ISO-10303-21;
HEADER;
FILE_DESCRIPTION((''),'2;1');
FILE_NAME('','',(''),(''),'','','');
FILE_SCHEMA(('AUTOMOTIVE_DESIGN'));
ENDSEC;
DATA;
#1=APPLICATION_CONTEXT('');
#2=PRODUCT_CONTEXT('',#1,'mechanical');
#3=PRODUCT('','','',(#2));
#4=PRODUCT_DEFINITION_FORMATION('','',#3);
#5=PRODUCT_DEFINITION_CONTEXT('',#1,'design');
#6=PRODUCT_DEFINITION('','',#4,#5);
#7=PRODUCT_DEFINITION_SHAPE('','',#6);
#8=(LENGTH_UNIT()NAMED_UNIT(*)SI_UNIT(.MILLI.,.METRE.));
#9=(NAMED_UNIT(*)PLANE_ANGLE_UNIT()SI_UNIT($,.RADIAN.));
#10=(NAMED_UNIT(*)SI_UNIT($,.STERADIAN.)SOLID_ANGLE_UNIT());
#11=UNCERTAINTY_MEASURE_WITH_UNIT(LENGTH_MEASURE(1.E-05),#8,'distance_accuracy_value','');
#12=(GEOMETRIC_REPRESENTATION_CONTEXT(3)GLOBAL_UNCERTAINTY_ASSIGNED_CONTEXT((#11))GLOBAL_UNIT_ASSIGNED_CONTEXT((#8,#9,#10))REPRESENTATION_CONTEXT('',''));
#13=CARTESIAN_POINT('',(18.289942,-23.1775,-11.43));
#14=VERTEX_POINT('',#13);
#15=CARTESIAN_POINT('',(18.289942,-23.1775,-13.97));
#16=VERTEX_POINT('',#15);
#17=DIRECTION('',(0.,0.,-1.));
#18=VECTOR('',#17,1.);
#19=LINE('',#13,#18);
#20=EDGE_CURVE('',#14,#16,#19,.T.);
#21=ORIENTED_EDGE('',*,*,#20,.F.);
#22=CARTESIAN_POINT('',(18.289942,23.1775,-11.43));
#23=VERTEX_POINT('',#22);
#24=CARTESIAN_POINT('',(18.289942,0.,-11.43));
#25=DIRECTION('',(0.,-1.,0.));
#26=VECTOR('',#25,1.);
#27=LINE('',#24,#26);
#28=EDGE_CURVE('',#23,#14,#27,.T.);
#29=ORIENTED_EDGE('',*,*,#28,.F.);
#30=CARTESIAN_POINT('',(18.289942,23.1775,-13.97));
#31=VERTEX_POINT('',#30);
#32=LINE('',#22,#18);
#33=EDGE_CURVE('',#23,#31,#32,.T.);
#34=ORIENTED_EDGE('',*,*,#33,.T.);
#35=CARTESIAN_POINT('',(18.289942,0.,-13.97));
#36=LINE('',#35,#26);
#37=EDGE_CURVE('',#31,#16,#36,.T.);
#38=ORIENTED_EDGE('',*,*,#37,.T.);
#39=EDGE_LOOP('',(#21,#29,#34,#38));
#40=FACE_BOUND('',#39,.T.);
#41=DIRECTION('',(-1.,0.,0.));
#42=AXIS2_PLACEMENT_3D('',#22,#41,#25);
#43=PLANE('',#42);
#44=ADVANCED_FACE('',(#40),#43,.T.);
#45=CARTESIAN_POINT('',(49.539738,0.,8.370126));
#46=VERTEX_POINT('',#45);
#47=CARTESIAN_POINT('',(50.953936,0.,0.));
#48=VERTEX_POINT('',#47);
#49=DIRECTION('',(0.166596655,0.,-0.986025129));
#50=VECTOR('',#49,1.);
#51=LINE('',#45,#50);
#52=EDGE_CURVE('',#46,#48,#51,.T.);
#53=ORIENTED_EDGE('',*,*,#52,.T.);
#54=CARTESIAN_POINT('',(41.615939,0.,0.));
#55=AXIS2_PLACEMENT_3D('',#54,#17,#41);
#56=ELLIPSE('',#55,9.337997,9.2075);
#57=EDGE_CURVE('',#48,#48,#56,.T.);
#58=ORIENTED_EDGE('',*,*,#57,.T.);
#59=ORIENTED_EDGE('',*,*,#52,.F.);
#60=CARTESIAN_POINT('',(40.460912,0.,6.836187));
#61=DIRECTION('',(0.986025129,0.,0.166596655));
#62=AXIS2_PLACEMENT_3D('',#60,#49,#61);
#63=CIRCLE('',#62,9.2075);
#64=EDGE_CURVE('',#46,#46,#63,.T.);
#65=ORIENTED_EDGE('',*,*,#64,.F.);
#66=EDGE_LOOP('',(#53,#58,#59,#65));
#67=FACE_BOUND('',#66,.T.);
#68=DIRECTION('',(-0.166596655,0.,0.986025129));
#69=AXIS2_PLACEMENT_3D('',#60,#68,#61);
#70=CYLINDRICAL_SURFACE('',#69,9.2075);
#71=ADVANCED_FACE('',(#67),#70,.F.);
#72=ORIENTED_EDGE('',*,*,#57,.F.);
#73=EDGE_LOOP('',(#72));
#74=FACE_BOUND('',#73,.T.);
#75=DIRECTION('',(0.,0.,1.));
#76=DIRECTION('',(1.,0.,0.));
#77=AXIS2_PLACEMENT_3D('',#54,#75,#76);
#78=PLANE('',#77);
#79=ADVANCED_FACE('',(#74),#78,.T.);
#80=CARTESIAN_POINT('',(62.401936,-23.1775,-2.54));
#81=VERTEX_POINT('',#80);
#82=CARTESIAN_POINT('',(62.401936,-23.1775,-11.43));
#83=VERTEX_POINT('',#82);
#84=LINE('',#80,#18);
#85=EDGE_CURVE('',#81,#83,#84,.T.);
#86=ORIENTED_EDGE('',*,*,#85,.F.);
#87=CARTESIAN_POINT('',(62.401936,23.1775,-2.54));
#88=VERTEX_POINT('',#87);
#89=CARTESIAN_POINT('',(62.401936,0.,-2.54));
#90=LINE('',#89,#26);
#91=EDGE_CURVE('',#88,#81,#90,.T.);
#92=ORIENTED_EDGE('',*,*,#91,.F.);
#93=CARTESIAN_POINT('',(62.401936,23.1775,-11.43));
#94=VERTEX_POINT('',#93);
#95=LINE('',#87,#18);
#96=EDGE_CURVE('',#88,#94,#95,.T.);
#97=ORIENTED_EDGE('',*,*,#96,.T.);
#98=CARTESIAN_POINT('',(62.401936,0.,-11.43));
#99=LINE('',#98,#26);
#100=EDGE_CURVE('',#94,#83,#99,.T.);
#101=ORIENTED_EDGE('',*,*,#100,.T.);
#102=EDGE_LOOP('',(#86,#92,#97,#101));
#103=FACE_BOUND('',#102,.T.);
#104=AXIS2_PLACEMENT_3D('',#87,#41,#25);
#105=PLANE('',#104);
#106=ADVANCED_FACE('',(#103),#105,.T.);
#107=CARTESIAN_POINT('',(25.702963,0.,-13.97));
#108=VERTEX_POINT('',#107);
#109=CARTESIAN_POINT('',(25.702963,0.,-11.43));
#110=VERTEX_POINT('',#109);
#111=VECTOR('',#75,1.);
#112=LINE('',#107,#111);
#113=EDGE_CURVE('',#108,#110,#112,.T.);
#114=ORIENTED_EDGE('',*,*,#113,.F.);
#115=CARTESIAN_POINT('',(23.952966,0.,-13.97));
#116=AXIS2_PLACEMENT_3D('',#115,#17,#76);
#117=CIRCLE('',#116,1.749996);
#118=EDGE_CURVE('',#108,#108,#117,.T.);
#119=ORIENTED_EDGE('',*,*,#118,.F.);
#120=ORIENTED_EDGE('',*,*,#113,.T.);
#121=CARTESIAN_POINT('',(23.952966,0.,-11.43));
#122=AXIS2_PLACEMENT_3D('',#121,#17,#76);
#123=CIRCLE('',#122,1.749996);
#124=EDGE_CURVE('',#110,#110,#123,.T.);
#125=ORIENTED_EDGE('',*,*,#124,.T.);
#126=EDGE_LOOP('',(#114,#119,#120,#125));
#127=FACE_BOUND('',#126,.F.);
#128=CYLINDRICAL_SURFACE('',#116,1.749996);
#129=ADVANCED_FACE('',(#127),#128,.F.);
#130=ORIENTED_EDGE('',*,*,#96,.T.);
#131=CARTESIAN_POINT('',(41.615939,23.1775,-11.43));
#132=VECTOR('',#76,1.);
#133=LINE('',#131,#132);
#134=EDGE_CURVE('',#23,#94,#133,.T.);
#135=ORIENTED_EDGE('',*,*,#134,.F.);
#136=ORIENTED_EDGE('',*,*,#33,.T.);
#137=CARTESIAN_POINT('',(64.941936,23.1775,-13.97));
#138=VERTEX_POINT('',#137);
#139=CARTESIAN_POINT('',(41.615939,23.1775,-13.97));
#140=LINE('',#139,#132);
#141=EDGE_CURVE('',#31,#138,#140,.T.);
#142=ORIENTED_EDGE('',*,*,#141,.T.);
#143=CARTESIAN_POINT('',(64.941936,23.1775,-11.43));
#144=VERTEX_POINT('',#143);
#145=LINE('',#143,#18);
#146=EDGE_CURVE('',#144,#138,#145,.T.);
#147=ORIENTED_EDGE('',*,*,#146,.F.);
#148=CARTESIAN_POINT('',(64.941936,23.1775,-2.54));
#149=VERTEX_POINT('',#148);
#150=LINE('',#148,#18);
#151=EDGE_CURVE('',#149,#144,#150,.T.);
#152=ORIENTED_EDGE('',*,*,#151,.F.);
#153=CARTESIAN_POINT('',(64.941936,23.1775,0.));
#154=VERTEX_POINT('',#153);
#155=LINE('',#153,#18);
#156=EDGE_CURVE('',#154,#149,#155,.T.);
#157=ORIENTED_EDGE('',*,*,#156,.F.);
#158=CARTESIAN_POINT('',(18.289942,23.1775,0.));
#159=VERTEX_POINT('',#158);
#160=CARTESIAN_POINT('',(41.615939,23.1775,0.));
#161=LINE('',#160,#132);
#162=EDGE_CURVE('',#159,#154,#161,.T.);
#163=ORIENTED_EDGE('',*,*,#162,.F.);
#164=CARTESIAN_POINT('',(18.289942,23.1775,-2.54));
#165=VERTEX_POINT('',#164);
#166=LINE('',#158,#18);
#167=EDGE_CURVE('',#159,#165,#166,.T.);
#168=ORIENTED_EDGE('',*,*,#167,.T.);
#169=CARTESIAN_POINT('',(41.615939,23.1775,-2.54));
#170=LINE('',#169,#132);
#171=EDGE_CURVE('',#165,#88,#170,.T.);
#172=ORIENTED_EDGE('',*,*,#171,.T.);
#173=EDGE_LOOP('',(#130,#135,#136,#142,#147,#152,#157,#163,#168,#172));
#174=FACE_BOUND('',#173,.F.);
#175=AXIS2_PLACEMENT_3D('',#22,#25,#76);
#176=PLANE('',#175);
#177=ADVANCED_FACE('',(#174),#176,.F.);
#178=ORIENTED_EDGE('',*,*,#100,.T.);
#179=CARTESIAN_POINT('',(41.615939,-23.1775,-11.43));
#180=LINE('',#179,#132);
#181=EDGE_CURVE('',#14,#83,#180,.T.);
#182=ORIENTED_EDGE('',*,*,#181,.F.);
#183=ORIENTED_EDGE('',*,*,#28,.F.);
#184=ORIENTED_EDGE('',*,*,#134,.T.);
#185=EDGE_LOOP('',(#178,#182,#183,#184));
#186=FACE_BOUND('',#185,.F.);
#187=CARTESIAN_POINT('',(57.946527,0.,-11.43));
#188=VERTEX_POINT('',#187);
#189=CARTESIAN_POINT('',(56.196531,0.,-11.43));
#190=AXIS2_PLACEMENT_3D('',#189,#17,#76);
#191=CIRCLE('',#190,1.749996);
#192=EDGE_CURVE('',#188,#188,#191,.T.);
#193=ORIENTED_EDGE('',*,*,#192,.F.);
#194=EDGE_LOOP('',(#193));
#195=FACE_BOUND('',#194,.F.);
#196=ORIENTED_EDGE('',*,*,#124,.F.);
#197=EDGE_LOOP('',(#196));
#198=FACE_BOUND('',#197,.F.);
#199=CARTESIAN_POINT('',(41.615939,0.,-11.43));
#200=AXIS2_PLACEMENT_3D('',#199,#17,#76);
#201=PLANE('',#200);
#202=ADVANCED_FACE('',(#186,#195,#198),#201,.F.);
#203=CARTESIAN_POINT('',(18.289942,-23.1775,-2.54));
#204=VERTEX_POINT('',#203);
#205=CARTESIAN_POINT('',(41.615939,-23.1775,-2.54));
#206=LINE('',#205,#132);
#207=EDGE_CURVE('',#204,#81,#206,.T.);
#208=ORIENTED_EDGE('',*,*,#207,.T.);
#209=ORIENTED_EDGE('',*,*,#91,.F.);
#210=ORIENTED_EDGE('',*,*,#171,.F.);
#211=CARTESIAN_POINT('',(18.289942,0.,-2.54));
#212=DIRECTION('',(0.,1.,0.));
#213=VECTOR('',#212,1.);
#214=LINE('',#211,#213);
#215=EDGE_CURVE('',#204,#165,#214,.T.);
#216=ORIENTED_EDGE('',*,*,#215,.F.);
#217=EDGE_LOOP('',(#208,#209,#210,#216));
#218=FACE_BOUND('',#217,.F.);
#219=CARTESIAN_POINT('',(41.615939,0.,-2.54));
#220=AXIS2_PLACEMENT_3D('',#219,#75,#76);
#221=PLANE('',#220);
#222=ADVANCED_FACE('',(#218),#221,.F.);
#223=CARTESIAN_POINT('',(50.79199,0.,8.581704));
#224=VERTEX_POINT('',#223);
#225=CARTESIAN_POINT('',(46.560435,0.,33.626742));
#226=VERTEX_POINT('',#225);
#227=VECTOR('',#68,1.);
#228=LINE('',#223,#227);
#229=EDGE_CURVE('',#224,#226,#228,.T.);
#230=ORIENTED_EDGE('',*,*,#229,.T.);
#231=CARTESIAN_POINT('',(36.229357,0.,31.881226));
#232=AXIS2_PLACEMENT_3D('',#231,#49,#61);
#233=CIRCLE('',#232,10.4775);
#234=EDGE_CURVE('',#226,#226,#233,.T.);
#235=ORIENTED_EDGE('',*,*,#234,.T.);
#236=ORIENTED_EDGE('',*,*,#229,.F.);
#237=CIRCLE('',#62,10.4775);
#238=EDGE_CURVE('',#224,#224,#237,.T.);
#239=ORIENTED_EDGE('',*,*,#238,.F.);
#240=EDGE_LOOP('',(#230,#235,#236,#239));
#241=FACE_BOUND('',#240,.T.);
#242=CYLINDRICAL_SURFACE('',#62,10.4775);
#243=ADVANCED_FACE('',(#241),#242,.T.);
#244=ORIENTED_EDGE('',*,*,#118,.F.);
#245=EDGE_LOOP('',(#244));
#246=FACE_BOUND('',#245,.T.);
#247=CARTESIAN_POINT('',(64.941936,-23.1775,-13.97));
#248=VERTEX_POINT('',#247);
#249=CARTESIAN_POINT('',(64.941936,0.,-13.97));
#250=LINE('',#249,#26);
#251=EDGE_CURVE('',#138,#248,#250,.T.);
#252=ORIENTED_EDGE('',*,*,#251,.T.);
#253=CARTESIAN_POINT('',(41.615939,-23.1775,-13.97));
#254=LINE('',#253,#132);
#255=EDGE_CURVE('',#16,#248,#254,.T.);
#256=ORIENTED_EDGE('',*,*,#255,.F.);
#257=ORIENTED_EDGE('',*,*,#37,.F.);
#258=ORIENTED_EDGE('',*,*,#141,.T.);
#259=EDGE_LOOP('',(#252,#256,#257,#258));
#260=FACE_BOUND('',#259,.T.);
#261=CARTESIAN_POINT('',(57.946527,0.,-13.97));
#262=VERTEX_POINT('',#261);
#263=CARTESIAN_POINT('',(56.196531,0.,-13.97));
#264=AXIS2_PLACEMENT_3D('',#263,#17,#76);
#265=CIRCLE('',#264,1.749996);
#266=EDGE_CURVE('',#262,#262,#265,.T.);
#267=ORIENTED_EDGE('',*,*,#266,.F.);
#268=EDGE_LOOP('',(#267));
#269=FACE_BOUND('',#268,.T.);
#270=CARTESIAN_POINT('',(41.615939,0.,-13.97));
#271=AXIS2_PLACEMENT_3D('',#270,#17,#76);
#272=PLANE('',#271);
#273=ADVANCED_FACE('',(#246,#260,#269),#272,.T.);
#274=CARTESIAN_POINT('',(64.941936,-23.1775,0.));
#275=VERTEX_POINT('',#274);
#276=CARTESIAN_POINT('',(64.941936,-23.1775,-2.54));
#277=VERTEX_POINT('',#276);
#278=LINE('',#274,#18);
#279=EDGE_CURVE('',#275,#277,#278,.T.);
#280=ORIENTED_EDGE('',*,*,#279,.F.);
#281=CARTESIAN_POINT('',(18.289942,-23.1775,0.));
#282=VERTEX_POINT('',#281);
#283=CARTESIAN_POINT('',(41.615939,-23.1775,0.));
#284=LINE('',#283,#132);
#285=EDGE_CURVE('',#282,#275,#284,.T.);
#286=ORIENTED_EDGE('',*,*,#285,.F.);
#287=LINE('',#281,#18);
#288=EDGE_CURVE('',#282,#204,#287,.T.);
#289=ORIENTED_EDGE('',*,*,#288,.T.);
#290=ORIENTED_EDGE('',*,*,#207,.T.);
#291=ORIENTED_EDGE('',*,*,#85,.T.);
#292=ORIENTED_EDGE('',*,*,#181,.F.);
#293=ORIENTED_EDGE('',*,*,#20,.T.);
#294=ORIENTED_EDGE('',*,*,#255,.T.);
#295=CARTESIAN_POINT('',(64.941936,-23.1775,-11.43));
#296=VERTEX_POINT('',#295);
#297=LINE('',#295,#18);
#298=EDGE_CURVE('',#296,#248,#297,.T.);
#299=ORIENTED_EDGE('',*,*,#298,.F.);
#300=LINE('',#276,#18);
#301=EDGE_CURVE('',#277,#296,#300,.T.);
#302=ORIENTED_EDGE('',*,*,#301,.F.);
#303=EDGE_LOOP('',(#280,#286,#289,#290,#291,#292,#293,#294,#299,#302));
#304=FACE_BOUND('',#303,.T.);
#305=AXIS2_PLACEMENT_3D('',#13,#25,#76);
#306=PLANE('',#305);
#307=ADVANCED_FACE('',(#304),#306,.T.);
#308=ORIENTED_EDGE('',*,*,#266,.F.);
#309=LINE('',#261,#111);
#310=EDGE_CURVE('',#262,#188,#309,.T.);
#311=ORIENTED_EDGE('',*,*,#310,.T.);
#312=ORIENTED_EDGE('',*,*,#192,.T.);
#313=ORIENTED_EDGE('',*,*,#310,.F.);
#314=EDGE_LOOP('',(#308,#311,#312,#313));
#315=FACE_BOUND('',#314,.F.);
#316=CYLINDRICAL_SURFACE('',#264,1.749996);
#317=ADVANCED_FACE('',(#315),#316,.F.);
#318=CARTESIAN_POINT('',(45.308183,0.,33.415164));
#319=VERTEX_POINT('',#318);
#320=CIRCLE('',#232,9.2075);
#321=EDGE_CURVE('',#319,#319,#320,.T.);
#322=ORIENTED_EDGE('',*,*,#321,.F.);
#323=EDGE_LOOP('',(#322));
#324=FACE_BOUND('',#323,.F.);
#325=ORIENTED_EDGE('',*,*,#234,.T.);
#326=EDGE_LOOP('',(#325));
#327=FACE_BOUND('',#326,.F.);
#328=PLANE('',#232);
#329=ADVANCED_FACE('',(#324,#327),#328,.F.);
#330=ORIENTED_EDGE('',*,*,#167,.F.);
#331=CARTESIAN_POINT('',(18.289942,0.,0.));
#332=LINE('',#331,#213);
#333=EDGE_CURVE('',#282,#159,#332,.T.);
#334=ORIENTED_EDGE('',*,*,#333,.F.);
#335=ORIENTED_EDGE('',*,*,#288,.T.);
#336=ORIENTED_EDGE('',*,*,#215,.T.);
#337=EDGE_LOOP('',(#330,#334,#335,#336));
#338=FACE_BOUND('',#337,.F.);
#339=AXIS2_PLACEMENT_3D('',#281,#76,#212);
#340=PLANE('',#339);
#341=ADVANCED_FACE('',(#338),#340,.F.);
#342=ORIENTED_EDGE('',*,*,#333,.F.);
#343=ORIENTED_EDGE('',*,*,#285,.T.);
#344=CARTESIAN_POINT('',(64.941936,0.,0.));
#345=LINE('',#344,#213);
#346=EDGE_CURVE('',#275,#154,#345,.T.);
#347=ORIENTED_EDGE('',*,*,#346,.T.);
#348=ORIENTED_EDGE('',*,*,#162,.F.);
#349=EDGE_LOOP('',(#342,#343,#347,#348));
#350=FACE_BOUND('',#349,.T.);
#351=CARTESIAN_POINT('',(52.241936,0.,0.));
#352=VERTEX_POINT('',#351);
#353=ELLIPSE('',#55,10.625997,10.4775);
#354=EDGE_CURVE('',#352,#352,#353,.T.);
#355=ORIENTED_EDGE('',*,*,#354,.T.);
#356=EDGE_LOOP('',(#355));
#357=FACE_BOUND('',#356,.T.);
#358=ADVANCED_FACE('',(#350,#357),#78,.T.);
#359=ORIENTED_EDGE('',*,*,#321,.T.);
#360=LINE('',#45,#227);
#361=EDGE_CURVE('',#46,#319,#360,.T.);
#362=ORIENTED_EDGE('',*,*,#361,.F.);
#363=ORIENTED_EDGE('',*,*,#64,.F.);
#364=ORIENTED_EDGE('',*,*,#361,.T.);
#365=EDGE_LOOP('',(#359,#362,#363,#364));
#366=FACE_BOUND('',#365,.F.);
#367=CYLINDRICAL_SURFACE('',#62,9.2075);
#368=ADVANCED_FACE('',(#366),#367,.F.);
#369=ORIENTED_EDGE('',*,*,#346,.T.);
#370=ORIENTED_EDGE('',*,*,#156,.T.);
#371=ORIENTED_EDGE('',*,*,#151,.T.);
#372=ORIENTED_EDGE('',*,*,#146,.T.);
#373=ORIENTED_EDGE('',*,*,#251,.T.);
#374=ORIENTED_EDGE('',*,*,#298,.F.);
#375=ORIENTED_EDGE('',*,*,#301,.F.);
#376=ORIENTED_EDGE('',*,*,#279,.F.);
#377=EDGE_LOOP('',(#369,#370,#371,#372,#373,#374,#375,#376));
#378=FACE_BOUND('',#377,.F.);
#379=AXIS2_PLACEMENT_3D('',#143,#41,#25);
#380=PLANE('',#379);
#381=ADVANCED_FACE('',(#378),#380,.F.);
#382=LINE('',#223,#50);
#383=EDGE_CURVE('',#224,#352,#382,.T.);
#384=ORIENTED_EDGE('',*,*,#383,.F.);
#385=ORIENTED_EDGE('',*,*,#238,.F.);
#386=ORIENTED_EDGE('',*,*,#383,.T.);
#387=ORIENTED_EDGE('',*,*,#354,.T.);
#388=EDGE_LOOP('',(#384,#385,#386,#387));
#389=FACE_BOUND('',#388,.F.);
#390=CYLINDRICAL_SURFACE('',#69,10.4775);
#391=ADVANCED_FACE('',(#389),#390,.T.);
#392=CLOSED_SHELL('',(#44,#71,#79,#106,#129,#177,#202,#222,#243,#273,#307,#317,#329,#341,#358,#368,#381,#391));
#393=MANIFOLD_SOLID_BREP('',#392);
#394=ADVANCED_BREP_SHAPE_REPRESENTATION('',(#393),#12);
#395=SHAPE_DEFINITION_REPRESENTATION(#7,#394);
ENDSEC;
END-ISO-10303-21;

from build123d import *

# Parameters (mm, degrees)
F2_R      = 10.4775
F2_R_2    = 9.2075
F3_DEPTH  = 25.4
F4_DEPTH  = 25.4
F5_W      = 41.5304042399
F5_H      = 20.5683773383
F6_DEPTH  = 127
F7_W      = 46.6519938795
F7_H      = 46.355
F8_DEPTH  = 2.54
F9_W      = 2.54
F9_H      = 46.355
F10_DEPTH = 8.89
F11_W     = 46.6519938795
F11_H     = 46.355
F12_DEPTH = 2.54
F13_R     = 1.7499965
F14_DEPTH = 2.54


with BuildPart() as f3:
    # F2 (on line) → F3 (new body)
    with BuildSketch(Plane(origin=(0, 0, 0), x_dir=(0.9860251287, 0, 0.1665966554), z_dir=(0.1665966554, 0, -0.9860251287))):
        with Locations((41.0343617785, 0)):
            Circle(F2_R)
        with Locations((41.0343617785, 0)):
            Circle(F2_R_2, mode=Mode.SUBTRACT)
    extrude(amount=-F3_DEPTH)

    # F4 (add): a face of the model
    f4_faces = [f3.faces().sort_by_distance(p)[0] for p in [
        (30.422040588, 0, 5.1400416329),
    ]]
    extrude(f4_faces, amount=F4_DEPTH)

    # F5 (on Front) → F6 (cut, symmetric)
    with BuildSketch(Plane.XZ):
        with Locations((39.1329098493, -10.2841886692)):
            Rectangle(F5_W, F5_H)
    extrude(amount=F6_DEPTH, both=True, mode=Mode.SUBTRACT)

    # F7 (on Top) → F8 (join)
    with BuildSketch(Plane.XY):
        with Locations((41.6159391729, 0)):
            Rectangle(F7_W, F7_H)
    extrude(amount=-F8_DEPTH)

    # F9 (on face) → F10 (join)
    with BuildSketch(Plane(origin=(0, 0, -2.54), x_dir=(1, 0, 0), z_dir=(0, 0, -1))):
        with Locations((63.6719361126, 0)):
            Rectangle(F9_W, F9_H)
    extrude(amount=F10_DEPTH)

    # F11 (on face) → F12 (join)
    with BuildSketch(Plane(origin=(0, 0, -11.43), x_dir=(1, 0, 0), z_dir=(0, 0, -1))):
        with Locations((41.6159391729, 0)):
            Rectangle(F11_W, F11_H)
    extrude(amount=F12_DEPTH)

    # F13 (on face) → F14 (cut)
    with BuildSketch(Plane(origin=(0, 0, -13.97), x_dir=(1, 0, 0), z_dir=(0, 0, -1))):
        with Locations((23.9529660876, 0)):
            Circle(F13_R)
        with Locations((56.1965306676, 0)):
            Circle(F13_R)
    extrude(amount=-F14_DEPTH, mode=Mode.SUBTRACT)


solid = f3.part
